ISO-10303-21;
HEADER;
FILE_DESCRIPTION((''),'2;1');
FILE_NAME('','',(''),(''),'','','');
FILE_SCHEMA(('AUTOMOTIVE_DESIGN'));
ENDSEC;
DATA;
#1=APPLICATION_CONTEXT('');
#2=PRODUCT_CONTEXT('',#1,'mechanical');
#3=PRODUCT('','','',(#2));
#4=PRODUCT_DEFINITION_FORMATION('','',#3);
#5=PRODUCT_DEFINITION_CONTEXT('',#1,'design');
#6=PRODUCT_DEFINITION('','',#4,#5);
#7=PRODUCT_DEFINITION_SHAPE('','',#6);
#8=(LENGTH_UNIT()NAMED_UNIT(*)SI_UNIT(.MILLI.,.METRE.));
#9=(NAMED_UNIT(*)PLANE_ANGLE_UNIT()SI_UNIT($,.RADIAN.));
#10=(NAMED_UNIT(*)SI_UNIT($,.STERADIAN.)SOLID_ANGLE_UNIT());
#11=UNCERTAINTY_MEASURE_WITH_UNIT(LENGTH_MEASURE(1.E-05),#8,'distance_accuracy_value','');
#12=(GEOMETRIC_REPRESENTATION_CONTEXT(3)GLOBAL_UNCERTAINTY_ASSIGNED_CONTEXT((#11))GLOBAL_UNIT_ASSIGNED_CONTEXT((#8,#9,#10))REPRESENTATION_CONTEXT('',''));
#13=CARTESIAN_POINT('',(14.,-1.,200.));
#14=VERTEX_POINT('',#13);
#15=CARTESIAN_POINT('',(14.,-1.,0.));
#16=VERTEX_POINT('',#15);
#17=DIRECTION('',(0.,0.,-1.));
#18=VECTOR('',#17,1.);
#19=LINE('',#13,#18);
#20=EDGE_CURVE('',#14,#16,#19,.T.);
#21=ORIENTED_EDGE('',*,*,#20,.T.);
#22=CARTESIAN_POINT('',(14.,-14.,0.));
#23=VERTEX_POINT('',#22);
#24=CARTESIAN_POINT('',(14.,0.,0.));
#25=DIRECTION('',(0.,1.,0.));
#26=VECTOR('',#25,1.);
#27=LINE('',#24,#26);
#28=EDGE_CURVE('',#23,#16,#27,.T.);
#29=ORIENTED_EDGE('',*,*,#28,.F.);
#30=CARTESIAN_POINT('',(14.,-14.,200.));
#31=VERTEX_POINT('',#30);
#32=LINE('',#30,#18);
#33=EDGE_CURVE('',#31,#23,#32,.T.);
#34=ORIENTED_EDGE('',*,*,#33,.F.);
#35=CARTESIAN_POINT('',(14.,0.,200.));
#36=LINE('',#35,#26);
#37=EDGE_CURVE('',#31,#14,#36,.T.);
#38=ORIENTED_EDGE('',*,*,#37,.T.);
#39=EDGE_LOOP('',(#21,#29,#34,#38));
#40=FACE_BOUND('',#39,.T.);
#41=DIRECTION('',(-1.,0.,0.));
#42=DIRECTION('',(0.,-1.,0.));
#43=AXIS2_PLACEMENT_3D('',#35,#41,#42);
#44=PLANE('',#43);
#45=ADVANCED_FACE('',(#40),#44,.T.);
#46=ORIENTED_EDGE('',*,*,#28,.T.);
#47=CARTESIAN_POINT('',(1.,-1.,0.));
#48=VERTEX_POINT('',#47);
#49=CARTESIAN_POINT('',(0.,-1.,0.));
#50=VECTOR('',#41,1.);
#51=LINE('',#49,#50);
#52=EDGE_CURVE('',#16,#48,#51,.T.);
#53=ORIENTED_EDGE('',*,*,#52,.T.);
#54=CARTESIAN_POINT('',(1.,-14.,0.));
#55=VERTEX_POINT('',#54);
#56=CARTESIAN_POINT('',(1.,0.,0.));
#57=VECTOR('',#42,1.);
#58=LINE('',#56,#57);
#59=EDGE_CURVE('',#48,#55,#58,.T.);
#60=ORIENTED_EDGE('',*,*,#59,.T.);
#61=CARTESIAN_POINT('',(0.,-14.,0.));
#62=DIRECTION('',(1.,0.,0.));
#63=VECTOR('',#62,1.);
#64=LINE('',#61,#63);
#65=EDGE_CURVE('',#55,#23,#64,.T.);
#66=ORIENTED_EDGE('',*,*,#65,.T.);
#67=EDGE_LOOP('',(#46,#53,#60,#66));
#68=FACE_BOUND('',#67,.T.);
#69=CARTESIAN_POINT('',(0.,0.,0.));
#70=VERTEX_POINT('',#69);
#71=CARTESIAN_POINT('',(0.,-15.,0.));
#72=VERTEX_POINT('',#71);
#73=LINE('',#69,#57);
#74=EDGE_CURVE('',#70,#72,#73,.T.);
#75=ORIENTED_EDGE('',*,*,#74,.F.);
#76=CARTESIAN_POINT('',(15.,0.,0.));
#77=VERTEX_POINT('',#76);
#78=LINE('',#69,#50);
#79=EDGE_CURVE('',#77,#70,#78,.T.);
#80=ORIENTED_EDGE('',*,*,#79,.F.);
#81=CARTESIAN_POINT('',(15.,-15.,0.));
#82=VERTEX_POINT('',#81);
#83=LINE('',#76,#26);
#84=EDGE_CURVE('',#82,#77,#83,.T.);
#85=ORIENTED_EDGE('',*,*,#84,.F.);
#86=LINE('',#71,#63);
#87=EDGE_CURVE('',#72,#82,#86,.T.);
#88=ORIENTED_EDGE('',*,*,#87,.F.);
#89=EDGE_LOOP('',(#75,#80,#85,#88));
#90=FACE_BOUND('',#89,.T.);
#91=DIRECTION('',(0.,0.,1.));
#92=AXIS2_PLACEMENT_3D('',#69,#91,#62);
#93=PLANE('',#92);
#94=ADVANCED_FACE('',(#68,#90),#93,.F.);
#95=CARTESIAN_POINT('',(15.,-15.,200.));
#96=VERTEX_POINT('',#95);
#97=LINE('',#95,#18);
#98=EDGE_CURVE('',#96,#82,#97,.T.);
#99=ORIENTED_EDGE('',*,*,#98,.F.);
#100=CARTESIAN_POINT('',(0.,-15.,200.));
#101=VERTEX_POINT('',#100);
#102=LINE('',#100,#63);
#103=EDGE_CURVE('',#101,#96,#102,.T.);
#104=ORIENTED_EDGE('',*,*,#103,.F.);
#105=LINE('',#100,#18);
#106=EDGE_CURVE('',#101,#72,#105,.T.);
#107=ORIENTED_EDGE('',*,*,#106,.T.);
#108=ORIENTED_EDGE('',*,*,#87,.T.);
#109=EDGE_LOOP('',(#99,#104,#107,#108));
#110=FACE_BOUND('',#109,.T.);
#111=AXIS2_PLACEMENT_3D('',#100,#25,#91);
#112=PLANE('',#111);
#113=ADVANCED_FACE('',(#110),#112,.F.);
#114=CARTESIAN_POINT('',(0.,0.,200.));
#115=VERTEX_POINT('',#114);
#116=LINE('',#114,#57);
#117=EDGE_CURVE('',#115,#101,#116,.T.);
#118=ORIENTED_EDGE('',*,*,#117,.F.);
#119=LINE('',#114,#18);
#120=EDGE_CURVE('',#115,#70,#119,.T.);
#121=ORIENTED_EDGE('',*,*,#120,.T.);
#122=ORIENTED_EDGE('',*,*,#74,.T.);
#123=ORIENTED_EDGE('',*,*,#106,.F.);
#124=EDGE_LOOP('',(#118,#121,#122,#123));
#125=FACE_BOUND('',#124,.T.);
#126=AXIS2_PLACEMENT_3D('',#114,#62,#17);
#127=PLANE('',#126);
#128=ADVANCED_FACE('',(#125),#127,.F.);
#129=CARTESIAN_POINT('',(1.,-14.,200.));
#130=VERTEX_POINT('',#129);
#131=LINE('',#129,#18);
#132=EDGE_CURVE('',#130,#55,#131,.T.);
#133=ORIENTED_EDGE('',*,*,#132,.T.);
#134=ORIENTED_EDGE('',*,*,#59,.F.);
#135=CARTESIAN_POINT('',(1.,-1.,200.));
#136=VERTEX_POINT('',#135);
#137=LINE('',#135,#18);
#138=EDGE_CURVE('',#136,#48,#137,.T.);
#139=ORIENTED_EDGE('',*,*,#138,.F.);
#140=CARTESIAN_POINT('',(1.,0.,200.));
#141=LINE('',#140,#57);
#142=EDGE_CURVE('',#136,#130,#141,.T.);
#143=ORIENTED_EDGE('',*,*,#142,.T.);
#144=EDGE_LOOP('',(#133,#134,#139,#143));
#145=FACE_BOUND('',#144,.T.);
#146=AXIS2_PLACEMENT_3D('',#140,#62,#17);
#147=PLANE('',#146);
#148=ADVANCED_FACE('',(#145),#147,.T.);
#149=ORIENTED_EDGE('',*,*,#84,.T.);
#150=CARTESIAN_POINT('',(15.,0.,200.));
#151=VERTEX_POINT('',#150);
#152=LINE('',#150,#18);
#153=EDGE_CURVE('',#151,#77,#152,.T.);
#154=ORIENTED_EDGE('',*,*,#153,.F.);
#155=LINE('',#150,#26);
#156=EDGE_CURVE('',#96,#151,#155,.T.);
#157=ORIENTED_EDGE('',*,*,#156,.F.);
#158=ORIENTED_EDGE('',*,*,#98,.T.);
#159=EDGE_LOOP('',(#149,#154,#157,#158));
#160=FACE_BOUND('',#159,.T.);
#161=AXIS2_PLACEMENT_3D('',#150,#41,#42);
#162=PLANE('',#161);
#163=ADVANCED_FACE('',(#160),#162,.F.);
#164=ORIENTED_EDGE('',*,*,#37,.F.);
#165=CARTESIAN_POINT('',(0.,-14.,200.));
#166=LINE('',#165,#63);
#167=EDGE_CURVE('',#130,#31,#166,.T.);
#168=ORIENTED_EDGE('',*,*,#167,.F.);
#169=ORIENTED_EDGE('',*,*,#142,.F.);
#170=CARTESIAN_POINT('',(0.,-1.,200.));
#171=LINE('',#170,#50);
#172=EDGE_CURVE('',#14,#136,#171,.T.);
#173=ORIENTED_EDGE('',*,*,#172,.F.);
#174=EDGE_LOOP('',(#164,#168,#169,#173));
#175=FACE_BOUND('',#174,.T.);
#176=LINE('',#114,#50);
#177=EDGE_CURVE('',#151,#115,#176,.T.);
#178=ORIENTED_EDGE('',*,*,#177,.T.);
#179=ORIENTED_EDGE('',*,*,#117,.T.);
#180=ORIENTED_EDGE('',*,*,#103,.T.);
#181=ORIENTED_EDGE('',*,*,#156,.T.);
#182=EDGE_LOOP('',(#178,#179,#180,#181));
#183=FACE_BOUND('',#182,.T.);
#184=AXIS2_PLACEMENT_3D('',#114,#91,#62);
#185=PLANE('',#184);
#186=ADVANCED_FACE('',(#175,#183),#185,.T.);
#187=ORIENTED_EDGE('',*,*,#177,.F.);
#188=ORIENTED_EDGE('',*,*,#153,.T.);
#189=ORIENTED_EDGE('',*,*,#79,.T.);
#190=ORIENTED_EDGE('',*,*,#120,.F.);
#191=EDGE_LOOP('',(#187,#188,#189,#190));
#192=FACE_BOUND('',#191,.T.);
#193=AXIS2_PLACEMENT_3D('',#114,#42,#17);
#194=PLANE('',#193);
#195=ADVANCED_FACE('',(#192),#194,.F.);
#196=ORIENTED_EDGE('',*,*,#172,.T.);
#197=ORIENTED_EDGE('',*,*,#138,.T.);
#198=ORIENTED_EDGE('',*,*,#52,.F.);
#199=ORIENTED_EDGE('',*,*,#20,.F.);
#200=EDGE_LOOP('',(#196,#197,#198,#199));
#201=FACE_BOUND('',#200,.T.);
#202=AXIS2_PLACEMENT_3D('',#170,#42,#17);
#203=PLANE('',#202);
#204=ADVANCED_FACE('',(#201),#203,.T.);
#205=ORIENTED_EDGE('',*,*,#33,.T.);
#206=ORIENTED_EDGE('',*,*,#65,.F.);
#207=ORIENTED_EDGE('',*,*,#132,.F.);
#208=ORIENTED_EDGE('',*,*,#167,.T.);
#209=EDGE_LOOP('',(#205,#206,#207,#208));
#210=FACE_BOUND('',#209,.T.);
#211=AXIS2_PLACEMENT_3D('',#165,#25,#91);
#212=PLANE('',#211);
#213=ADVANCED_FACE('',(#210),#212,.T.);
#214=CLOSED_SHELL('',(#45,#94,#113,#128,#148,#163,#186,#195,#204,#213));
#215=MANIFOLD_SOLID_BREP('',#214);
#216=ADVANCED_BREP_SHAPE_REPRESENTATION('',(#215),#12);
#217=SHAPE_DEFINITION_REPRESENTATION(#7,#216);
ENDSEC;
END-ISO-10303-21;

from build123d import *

# Parameters (mm, degrees)
SKETCH_1_W      = 15
SKETCH_1_H      = 15
SKETCH_1_W_2    = 13
SKETCH_1_H_2    = 13
EXTRUDE_1_DEPTH = 200


with BuildPart() as part:
    # 草图1 → 拉伸-薄壁1 (new body)
    with BuildSketch(Plane.XY):
        with Locations((7.5, -7.5)):
            Rectangle(SKETCH_1_W, SKETCH_1_H)
        with Locations((7.5, -7.5)):
            Rectangle(SKETCH_1_W_2, SKETCH_1_H_2, mode=Mode.SUBTRACT)
    extrude(amount=EXTRUDE_1_DEPTH)


solid = part.part
